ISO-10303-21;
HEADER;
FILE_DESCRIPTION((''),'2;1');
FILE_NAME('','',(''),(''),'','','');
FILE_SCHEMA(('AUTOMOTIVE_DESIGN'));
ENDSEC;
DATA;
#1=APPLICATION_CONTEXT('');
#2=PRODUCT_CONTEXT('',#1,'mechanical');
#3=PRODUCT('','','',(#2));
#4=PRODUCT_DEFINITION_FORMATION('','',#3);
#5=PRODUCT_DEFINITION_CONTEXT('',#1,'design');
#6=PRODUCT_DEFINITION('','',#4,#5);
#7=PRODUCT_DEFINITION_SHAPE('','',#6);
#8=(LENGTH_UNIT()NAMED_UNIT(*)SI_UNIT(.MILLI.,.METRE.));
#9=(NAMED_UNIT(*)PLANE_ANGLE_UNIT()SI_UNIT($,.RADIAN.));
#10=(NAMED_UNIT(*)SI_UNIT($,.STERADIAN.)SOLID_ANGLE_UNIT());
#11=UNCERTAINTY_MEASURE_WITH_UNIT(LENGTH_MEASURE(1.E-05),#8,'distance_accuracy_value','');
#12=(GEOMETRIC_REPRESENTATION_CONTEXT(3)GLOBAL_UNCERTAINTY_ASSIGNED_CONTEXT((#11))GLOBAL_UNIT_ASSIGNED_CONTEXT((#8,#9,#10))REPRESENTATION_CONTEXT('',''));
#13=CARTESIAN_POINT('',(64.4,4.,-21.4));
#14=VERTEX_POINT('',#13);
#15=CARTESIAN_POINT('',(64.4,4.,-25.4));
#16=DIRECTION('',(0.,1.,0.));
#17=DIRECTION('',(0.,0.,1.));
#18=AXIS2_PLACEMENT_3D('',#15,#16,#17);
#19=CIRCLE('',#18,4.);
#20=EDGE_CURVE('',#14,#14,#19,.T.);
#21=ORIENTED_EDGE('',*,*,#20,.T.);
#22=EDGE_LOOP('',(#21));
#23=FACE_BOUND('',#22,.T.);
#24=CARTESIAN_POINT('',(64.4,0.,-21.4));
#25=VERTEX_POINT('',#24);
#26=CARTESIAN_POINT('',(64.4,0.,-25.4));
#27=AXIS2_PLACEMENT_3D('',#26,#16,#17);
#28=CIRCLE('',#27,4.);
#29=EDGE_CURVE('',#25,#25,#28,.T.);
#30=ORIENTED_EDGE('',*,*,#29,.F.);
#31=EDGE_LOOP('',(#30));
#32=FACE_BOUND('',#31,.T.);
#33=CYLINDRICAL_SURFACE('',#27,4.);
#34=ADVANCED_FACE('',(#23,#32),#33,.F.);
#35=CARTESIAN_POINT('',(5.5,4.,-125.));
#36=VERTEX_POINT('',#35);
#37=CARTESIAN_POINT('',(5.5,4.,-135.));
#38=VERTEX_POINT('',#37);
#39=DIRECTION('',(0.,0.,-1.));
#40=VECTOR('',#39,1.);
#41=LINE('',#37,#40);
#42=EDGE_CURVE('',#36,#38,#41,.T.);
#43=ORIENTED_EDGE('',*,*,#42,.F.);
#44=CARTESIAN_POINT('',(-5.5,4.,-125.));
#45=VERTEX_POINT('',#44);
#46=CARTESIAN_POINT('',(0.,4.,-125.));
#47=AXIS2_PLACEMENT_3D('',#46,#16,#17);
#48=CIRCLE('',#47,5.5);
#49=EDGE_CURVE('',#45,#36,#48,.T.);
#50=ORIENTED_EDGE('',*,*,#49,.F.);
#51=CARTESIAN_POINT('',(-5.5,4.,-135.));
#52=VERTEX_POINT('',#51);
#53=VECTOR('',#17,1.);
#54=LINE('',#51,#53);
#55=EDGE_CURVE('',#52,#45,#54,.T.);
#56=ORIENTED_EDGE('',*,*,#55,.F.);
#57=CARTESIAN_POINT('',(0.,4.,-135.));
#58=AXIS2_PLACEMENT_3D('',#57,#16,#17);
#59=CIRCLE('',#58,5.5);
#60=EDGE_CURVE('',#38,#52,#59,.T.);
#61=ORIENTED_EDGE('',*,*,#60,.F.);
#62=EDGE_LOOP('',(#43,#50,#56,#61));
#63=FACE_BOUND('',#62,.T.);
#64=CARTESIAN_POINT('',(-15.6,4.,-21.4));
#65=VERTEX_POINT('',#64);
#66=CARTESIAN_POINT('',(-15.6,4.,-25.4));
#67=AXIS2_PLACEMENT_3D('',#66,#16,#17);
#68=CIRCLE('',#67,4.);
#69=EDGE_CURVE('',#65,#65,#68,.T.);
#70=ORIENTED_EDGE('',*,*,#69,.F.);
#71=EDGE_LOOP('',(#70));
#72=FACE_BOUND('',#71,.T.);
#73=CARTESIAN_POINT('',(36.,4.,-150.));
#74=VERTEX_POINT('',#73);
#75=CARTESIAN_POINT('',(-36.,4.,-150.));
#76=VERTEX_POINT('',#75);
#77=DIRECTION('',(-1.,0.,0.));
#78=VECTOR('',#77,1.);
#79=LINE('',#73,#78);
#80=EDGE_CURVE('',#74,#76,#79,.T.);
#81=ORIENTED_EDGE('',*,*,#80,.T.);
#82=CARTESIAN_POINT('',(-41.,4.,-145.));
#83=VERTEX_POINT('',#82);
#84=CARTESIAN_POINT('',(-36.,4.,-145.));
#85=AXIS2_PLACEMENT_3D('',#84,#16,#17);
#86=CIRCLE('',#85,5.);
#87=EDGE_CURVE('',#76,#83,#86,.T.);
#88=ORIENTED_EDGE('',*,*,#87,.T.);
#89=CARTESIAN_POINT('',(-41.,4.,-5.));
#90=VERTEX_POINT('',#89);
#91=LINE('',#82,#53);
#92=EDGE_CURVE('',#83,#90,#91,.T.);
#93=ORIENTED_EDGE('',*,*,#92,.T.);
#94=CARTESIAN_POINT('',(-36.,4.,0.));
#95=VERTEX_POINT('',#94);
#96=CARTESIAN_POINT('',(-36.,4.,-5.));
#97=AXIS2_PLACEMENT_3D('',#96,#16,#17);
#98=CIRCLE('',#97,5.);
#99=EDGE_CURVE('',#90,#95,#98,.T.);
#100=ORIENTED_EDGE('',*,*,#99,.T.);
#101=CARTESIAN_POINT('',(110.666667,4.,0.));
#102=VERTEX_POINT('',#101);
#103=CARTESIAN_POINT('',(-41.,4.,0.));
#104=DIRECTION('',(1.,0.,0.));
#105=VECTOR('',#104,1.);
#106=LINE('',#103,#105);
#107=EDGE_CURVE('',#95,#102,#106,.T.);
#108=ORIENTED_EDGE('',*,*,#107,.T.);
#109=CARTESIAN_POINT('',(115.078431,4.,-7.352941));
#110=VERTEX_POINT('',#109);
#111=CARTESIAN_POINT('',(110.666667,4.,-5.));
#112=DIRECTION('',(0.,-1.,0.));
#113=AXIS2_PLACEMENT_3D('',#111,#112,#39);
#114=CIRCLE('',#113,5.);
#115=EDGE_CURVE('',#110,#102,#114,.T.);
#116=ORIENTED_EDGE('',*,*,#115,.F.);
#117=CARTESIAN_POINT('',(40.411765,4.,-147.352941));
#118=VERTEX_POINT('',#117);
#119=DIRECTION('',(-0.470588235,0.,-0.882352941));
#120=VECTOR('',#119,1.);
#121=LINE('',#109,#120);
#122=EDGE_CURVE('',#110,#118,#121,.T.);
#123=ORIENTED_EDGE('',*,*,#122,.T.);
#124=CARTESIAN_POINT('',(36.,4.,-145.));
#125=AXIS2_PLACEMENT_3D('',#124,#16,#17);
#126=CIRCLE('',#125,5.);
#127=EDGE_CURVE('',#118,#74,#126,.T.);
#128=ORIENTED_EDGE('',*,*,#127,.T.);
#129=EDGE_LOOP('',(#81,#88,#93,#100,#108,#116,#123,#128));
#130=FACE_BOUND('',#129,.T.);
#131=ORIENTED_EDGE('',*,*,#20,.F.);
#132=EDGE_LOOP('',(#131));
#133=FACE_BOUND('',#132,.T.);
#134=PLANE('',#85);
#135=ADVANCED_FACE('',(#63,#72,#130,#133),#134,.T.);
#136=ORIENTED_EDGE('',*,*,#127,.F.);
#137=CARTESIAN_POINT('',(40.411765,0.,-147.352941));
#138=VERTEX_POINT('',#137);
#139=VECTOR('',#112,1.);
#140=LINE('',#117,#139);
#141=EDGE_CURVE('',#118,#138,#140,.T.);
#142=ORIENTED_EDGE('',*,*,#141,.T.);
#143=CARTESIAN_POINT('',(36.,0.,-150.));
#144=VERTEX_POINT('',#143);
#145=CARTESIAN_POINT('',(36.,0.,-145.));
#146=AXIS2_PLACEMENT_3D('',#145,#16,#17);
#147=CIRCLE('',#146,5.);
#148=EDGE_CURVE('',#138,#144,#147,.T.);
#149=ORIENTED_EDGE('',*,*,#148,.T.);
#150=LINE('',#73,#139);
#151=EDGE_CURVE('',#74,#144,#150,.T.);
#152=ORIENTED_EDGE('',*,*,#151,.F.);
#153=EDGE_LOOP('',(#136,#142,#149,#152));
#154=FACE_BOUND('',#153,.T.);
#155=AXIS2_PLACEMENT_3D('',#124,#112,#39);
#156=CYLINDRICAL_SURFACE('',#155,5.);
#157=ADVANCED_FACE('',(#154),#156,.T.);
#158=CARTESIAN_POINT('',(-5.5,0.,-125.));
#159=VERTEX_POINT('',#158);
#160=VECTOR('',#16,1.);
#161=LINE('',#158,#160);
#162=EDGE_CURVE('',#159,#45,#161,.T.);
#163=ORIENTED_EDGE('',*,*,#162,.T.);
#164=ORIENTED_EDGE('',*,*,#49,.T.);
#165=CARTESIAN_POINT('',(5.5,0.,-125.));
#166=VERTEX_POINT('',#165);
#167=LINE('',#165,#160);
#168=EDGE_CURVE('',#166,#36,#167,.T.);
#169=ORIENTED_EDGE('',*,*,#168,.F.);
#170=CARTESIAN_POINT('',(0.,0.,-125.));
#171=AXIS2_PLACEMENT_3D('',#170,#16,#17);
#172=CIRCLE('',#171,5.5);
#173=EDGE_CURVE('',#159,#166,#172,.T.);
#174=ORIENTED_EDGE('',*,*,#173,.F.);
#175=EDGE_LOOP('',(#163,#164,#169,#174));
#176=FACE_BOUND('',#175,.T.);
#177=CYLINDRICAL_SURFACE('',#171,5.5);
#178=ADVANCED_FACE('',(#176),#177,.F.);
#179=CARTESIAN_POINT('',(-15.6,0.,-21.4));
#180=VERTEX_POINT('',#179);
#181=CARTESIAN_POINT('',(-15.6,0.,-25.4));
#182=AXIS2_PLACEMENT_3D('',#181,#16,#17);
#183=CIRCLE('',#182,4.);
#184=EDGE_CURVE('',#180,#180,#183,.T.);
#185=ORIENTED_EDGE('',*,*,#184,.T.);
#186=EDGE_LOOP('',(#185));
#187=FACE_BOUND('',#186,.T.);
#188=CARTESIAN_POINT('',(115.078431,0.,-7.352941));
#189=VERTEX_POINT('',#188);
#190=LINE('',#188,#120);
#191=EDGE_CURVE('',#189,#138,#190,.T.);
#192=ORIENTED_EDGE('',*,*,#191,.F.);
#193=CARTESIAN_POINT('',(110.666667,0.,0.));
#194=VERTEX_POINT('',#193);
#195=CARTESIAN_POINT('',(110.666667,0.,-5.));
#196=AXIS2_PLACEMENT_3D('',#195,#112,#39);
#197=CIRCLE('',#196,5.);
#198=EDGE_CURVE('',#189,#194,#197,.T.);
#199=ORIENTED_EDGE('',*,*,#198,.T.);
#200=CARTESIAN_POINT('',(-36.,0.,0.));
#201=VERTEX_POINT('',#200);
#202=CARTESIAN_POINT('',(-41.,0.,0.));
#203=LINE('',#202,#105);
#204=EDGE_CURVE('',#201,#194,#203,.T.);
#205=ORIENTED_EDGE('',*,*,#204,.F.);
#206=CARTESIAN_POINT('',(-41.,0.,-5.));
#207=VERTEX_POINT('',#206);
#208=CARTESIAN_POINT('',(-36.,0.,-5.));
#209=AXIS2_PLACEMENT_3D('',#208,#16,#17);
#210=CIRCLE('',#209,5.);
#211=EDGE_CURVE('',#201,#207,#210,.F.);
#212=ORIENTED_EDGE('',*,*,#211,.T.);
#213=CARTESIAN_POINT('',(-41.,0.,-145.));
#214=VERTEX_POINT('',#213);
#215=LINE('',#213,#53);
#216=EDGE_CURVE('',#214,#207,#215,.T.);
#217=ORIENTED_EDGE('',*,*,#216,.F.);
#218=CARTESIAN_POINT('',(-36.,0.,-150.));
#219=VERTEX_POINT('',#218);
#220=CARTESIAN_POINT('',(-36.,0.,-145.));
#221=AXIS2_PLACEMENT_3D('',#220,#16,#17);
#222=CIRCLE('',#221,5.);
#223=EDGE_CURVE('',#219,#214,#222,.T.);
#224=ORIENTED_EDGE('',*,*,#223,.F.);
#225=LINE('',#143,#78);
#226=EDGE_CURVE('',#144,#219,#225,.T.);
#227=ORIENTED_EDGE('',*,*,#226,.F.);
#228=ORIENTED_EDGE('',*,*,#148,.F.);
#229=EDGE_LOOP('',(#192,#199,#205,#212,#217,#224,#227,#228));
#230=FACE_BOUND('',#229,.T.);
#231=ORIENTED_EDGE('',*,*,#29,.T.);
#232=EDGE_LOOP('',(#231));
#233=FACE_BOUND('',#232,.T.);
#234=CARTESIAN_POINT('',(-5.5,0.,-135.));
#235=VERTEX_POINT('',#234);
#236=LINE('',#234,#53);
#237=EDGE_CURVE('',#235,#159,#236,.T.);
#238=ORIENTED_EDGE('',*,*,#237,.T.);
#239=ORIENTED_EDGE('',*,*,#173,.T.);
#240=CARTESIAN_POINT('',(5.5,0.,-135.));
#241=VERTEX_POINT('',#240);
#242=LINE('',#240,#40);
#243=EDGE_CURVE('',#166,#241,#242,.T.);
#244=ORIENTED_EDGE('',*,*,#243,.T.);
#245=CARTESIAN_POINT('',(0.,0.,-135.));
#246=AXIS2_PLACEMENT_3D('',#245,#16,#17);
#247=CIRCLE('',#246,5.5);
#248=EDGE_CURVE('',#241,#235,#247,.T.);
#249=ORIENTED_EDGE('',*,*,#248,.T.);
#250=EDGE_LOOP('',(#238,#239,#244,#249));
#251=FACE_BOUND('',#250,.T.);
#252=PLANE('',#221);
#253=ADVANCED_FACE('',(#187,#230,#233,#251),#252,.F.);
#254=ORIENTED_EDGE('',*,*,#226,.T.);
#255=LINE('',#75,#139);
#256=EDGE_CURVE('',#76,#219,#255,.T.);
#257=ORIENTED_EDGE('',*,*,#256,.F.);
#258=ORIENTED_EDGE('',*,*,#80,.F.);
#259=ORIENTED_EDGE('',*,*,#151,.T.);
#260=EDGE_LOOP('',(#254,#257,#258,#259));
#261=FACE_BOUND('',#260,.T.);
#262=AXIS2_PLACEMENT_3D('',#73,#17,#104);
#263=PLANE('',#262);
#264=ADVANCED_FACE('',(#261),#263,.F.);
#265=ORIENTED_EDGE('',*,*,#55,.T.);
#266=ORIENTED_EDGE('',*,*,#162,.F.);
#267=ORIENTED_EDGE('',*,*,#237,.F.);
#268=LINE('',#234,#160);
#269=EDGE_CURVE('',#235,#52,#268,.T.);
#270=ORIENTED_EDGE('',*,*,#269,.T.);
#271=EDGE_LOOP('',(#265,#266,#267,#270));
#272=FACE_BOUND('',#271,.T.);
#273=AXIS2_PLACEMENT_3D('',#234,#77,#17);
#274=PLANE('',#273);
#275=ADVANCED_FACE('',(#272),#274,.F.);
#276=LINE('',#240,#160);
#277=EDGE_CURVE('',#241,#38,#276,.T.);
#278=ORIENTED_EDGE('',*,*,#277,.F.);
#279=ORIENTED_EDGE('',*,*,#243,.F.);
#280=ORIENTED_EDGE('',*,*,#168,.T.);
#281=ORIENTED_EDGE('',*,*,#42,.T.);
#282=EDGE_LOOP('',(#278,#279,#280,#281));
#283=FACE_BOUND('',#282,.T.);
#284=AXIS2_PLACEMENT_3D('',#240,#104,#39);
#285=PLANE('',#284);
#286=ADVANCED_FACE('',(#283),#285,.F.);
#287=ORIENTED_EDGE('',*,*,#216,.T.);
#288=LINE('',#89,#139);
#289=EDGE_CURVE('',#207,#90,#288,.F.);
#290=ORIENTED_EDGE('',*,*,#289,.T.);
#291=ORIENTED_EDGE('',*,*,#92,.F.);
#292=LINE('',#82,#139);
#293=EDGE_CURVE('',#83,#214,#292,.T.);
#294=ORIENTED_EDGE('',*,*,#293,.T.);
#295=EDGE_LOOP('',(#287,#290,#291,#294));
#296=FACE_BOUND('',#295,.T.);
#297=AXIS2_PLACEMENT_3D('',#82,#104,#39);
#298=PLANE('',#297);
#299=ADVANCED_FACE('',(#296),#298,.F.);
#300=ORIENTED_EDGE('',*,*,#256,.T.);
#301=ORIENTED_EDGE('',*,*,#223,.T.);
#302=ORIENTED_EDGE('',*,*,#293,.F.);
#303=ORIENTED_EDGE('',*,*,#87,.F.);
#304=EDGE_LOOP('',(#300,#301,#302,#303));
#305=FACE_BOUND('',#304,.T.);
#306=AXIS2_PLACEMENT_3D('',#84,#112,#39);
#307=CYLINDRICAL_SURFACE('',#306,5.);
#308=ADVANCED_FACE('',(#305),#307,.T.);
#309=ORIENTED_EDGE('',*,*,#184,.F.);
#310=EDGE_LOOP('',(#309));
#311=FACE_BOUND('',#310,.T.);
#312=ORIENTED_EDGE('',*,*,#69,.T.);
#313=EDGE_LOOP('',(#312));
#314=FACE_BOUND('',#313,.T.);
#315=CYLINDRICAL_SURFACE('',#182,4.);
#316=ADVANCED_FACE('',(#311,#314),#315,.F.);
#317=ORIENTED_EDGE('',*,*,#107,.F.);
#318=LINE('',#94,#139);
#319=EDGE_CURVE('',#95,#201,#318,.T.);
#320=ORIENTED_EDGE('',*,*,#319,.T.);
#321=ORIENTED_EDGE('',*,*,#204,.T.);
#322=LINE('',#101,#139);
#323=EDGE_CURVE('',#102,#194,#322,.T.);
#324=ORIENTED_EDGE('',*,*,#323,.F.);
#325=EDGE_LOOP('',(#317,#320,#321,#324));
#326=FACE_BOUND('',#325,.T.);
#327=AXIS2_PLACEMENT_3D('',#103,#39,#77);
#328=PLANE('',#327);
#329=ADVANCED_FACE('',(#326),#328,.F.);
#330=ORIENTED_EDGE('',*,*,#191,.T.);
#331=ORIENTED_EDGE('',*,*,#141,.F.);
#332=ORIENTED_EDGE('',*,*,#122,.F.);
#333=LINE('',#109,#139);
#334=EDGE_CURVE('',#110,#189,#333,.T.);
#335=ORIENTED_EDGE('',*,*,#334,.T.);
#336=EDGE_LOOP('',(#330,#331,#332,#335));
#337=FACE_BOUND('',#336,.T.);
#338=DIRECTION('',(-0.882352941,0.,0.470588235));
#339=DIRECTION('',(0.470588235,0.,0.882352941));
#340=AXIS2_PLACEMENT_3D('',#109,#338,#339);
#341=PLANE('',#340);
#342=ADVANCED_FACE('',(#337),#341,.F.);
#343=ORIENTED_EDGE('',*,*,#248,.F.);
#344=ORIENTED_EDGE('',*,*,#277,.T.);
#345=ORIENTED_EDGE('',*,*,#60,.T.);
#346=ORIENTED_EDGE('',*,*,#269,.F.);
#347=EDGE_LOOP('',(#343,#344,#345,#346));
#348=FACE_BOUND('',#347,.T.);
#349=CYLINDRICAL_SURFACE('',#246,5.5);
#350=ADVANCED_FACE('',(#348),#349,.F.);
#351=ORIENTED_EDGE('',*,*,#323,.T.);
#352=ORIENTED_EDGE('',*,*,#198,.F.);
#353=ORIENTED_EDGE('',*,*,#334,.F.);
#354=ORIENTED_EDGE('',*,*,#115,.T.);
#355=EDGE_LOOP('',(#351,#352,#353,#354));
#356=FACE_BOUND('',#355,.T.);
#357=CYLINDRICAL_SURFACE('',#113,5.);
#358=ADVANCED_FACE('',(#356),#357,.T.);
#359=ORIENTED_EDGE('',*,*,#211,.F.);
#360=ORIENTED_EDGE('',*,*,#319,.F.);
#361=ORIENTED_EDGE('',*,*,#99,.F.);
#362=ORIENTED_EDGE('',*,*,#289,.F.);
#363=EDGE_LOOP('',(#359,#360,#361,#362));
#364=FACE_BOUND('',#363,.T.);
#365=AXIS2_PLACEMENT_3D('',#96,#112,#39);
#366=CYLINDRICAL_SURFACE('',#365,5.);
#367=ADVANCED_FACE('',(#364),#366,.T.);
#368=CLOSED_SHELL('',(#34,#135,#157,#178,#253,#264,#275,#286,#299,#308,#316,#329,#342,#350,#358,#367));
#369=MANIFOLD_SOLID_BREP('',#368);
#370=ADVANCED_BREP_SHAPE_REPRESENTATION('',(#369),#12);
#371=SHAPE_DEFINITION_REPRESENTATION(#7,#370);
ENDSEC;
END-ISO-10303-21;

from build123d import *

# Parameters (mm, degrees)
BOSS_EXTRUDE1_DEPTH = 4
SKETCH3_R           = 4
CUT_EXTRUDE1_DEPTH  = 5
FILLET1_R           = 5


with BuildPart() as part:
    # Sketch2 → Boss-Extrude1 (new body)
    with BuildSketch(Plane(origin=(0, 0, 0), x_dir=(1, 0, 0), z_dir=(0, 1, 0))):
        with BuildLine():
            Line((-41, 0), (110.666666667, 0))
            ThreePointArc((110.666666667, 0), (114.954131295, 2.427521223), (115.078431373, 7.352941176))
            Line((115.078431373, 7.352941176), (40.411764706, 147.352941176))
            ThreePointArc((40.411764706, 147.352941176), (38.572478777, 149.287464629), (36, 150))
            Line((36, 150), (-36, 150))
            ThreePointArc((-36, 150), (-39.535533906, 148.535533906), (-41, 145))
            Line((-41, 145), (-41, 0))
        make_face()
    extrude(amount=BOSS_EXTRUDE1_DEPTH)

    # Sketch3 → Cut-Extrude1 (cut, through all)
    with BuildSketch(Plane(origin=(0, 4, 0), x_dir=(1, 0, 0), z_dir=(0, 1, 0))):
        with Locations((-15.6, 25.4)):
            Circle(SKETCH3_R)
        with Locations((64.4, 25.4)):
            Circle(SKETCH3_R)
        with BuildLine():
            Line((5.5, 135), (5.5, 125))
            ThreePointArc((5.5, 125), (0, 119.5), (-5.5, 125))
            Line((-5.5, 125), (-5.5, 135))
            ThreePointArc((-5.5, 135), (0, 140.5), (5.5, 135))
        make_face()
    extrude(amount=-CUT_EXTRUDE1_DEPTH, mode=Mode.SUBTRACT)

    # Fillet1
    fillet1_edges = [part.edges().sort_by_distance(p)[0] for p in [
        (-41, 2, 0),
    ]]
    fillet(fillet1_edges, radius=FILLET1_R)


solid = part.part
